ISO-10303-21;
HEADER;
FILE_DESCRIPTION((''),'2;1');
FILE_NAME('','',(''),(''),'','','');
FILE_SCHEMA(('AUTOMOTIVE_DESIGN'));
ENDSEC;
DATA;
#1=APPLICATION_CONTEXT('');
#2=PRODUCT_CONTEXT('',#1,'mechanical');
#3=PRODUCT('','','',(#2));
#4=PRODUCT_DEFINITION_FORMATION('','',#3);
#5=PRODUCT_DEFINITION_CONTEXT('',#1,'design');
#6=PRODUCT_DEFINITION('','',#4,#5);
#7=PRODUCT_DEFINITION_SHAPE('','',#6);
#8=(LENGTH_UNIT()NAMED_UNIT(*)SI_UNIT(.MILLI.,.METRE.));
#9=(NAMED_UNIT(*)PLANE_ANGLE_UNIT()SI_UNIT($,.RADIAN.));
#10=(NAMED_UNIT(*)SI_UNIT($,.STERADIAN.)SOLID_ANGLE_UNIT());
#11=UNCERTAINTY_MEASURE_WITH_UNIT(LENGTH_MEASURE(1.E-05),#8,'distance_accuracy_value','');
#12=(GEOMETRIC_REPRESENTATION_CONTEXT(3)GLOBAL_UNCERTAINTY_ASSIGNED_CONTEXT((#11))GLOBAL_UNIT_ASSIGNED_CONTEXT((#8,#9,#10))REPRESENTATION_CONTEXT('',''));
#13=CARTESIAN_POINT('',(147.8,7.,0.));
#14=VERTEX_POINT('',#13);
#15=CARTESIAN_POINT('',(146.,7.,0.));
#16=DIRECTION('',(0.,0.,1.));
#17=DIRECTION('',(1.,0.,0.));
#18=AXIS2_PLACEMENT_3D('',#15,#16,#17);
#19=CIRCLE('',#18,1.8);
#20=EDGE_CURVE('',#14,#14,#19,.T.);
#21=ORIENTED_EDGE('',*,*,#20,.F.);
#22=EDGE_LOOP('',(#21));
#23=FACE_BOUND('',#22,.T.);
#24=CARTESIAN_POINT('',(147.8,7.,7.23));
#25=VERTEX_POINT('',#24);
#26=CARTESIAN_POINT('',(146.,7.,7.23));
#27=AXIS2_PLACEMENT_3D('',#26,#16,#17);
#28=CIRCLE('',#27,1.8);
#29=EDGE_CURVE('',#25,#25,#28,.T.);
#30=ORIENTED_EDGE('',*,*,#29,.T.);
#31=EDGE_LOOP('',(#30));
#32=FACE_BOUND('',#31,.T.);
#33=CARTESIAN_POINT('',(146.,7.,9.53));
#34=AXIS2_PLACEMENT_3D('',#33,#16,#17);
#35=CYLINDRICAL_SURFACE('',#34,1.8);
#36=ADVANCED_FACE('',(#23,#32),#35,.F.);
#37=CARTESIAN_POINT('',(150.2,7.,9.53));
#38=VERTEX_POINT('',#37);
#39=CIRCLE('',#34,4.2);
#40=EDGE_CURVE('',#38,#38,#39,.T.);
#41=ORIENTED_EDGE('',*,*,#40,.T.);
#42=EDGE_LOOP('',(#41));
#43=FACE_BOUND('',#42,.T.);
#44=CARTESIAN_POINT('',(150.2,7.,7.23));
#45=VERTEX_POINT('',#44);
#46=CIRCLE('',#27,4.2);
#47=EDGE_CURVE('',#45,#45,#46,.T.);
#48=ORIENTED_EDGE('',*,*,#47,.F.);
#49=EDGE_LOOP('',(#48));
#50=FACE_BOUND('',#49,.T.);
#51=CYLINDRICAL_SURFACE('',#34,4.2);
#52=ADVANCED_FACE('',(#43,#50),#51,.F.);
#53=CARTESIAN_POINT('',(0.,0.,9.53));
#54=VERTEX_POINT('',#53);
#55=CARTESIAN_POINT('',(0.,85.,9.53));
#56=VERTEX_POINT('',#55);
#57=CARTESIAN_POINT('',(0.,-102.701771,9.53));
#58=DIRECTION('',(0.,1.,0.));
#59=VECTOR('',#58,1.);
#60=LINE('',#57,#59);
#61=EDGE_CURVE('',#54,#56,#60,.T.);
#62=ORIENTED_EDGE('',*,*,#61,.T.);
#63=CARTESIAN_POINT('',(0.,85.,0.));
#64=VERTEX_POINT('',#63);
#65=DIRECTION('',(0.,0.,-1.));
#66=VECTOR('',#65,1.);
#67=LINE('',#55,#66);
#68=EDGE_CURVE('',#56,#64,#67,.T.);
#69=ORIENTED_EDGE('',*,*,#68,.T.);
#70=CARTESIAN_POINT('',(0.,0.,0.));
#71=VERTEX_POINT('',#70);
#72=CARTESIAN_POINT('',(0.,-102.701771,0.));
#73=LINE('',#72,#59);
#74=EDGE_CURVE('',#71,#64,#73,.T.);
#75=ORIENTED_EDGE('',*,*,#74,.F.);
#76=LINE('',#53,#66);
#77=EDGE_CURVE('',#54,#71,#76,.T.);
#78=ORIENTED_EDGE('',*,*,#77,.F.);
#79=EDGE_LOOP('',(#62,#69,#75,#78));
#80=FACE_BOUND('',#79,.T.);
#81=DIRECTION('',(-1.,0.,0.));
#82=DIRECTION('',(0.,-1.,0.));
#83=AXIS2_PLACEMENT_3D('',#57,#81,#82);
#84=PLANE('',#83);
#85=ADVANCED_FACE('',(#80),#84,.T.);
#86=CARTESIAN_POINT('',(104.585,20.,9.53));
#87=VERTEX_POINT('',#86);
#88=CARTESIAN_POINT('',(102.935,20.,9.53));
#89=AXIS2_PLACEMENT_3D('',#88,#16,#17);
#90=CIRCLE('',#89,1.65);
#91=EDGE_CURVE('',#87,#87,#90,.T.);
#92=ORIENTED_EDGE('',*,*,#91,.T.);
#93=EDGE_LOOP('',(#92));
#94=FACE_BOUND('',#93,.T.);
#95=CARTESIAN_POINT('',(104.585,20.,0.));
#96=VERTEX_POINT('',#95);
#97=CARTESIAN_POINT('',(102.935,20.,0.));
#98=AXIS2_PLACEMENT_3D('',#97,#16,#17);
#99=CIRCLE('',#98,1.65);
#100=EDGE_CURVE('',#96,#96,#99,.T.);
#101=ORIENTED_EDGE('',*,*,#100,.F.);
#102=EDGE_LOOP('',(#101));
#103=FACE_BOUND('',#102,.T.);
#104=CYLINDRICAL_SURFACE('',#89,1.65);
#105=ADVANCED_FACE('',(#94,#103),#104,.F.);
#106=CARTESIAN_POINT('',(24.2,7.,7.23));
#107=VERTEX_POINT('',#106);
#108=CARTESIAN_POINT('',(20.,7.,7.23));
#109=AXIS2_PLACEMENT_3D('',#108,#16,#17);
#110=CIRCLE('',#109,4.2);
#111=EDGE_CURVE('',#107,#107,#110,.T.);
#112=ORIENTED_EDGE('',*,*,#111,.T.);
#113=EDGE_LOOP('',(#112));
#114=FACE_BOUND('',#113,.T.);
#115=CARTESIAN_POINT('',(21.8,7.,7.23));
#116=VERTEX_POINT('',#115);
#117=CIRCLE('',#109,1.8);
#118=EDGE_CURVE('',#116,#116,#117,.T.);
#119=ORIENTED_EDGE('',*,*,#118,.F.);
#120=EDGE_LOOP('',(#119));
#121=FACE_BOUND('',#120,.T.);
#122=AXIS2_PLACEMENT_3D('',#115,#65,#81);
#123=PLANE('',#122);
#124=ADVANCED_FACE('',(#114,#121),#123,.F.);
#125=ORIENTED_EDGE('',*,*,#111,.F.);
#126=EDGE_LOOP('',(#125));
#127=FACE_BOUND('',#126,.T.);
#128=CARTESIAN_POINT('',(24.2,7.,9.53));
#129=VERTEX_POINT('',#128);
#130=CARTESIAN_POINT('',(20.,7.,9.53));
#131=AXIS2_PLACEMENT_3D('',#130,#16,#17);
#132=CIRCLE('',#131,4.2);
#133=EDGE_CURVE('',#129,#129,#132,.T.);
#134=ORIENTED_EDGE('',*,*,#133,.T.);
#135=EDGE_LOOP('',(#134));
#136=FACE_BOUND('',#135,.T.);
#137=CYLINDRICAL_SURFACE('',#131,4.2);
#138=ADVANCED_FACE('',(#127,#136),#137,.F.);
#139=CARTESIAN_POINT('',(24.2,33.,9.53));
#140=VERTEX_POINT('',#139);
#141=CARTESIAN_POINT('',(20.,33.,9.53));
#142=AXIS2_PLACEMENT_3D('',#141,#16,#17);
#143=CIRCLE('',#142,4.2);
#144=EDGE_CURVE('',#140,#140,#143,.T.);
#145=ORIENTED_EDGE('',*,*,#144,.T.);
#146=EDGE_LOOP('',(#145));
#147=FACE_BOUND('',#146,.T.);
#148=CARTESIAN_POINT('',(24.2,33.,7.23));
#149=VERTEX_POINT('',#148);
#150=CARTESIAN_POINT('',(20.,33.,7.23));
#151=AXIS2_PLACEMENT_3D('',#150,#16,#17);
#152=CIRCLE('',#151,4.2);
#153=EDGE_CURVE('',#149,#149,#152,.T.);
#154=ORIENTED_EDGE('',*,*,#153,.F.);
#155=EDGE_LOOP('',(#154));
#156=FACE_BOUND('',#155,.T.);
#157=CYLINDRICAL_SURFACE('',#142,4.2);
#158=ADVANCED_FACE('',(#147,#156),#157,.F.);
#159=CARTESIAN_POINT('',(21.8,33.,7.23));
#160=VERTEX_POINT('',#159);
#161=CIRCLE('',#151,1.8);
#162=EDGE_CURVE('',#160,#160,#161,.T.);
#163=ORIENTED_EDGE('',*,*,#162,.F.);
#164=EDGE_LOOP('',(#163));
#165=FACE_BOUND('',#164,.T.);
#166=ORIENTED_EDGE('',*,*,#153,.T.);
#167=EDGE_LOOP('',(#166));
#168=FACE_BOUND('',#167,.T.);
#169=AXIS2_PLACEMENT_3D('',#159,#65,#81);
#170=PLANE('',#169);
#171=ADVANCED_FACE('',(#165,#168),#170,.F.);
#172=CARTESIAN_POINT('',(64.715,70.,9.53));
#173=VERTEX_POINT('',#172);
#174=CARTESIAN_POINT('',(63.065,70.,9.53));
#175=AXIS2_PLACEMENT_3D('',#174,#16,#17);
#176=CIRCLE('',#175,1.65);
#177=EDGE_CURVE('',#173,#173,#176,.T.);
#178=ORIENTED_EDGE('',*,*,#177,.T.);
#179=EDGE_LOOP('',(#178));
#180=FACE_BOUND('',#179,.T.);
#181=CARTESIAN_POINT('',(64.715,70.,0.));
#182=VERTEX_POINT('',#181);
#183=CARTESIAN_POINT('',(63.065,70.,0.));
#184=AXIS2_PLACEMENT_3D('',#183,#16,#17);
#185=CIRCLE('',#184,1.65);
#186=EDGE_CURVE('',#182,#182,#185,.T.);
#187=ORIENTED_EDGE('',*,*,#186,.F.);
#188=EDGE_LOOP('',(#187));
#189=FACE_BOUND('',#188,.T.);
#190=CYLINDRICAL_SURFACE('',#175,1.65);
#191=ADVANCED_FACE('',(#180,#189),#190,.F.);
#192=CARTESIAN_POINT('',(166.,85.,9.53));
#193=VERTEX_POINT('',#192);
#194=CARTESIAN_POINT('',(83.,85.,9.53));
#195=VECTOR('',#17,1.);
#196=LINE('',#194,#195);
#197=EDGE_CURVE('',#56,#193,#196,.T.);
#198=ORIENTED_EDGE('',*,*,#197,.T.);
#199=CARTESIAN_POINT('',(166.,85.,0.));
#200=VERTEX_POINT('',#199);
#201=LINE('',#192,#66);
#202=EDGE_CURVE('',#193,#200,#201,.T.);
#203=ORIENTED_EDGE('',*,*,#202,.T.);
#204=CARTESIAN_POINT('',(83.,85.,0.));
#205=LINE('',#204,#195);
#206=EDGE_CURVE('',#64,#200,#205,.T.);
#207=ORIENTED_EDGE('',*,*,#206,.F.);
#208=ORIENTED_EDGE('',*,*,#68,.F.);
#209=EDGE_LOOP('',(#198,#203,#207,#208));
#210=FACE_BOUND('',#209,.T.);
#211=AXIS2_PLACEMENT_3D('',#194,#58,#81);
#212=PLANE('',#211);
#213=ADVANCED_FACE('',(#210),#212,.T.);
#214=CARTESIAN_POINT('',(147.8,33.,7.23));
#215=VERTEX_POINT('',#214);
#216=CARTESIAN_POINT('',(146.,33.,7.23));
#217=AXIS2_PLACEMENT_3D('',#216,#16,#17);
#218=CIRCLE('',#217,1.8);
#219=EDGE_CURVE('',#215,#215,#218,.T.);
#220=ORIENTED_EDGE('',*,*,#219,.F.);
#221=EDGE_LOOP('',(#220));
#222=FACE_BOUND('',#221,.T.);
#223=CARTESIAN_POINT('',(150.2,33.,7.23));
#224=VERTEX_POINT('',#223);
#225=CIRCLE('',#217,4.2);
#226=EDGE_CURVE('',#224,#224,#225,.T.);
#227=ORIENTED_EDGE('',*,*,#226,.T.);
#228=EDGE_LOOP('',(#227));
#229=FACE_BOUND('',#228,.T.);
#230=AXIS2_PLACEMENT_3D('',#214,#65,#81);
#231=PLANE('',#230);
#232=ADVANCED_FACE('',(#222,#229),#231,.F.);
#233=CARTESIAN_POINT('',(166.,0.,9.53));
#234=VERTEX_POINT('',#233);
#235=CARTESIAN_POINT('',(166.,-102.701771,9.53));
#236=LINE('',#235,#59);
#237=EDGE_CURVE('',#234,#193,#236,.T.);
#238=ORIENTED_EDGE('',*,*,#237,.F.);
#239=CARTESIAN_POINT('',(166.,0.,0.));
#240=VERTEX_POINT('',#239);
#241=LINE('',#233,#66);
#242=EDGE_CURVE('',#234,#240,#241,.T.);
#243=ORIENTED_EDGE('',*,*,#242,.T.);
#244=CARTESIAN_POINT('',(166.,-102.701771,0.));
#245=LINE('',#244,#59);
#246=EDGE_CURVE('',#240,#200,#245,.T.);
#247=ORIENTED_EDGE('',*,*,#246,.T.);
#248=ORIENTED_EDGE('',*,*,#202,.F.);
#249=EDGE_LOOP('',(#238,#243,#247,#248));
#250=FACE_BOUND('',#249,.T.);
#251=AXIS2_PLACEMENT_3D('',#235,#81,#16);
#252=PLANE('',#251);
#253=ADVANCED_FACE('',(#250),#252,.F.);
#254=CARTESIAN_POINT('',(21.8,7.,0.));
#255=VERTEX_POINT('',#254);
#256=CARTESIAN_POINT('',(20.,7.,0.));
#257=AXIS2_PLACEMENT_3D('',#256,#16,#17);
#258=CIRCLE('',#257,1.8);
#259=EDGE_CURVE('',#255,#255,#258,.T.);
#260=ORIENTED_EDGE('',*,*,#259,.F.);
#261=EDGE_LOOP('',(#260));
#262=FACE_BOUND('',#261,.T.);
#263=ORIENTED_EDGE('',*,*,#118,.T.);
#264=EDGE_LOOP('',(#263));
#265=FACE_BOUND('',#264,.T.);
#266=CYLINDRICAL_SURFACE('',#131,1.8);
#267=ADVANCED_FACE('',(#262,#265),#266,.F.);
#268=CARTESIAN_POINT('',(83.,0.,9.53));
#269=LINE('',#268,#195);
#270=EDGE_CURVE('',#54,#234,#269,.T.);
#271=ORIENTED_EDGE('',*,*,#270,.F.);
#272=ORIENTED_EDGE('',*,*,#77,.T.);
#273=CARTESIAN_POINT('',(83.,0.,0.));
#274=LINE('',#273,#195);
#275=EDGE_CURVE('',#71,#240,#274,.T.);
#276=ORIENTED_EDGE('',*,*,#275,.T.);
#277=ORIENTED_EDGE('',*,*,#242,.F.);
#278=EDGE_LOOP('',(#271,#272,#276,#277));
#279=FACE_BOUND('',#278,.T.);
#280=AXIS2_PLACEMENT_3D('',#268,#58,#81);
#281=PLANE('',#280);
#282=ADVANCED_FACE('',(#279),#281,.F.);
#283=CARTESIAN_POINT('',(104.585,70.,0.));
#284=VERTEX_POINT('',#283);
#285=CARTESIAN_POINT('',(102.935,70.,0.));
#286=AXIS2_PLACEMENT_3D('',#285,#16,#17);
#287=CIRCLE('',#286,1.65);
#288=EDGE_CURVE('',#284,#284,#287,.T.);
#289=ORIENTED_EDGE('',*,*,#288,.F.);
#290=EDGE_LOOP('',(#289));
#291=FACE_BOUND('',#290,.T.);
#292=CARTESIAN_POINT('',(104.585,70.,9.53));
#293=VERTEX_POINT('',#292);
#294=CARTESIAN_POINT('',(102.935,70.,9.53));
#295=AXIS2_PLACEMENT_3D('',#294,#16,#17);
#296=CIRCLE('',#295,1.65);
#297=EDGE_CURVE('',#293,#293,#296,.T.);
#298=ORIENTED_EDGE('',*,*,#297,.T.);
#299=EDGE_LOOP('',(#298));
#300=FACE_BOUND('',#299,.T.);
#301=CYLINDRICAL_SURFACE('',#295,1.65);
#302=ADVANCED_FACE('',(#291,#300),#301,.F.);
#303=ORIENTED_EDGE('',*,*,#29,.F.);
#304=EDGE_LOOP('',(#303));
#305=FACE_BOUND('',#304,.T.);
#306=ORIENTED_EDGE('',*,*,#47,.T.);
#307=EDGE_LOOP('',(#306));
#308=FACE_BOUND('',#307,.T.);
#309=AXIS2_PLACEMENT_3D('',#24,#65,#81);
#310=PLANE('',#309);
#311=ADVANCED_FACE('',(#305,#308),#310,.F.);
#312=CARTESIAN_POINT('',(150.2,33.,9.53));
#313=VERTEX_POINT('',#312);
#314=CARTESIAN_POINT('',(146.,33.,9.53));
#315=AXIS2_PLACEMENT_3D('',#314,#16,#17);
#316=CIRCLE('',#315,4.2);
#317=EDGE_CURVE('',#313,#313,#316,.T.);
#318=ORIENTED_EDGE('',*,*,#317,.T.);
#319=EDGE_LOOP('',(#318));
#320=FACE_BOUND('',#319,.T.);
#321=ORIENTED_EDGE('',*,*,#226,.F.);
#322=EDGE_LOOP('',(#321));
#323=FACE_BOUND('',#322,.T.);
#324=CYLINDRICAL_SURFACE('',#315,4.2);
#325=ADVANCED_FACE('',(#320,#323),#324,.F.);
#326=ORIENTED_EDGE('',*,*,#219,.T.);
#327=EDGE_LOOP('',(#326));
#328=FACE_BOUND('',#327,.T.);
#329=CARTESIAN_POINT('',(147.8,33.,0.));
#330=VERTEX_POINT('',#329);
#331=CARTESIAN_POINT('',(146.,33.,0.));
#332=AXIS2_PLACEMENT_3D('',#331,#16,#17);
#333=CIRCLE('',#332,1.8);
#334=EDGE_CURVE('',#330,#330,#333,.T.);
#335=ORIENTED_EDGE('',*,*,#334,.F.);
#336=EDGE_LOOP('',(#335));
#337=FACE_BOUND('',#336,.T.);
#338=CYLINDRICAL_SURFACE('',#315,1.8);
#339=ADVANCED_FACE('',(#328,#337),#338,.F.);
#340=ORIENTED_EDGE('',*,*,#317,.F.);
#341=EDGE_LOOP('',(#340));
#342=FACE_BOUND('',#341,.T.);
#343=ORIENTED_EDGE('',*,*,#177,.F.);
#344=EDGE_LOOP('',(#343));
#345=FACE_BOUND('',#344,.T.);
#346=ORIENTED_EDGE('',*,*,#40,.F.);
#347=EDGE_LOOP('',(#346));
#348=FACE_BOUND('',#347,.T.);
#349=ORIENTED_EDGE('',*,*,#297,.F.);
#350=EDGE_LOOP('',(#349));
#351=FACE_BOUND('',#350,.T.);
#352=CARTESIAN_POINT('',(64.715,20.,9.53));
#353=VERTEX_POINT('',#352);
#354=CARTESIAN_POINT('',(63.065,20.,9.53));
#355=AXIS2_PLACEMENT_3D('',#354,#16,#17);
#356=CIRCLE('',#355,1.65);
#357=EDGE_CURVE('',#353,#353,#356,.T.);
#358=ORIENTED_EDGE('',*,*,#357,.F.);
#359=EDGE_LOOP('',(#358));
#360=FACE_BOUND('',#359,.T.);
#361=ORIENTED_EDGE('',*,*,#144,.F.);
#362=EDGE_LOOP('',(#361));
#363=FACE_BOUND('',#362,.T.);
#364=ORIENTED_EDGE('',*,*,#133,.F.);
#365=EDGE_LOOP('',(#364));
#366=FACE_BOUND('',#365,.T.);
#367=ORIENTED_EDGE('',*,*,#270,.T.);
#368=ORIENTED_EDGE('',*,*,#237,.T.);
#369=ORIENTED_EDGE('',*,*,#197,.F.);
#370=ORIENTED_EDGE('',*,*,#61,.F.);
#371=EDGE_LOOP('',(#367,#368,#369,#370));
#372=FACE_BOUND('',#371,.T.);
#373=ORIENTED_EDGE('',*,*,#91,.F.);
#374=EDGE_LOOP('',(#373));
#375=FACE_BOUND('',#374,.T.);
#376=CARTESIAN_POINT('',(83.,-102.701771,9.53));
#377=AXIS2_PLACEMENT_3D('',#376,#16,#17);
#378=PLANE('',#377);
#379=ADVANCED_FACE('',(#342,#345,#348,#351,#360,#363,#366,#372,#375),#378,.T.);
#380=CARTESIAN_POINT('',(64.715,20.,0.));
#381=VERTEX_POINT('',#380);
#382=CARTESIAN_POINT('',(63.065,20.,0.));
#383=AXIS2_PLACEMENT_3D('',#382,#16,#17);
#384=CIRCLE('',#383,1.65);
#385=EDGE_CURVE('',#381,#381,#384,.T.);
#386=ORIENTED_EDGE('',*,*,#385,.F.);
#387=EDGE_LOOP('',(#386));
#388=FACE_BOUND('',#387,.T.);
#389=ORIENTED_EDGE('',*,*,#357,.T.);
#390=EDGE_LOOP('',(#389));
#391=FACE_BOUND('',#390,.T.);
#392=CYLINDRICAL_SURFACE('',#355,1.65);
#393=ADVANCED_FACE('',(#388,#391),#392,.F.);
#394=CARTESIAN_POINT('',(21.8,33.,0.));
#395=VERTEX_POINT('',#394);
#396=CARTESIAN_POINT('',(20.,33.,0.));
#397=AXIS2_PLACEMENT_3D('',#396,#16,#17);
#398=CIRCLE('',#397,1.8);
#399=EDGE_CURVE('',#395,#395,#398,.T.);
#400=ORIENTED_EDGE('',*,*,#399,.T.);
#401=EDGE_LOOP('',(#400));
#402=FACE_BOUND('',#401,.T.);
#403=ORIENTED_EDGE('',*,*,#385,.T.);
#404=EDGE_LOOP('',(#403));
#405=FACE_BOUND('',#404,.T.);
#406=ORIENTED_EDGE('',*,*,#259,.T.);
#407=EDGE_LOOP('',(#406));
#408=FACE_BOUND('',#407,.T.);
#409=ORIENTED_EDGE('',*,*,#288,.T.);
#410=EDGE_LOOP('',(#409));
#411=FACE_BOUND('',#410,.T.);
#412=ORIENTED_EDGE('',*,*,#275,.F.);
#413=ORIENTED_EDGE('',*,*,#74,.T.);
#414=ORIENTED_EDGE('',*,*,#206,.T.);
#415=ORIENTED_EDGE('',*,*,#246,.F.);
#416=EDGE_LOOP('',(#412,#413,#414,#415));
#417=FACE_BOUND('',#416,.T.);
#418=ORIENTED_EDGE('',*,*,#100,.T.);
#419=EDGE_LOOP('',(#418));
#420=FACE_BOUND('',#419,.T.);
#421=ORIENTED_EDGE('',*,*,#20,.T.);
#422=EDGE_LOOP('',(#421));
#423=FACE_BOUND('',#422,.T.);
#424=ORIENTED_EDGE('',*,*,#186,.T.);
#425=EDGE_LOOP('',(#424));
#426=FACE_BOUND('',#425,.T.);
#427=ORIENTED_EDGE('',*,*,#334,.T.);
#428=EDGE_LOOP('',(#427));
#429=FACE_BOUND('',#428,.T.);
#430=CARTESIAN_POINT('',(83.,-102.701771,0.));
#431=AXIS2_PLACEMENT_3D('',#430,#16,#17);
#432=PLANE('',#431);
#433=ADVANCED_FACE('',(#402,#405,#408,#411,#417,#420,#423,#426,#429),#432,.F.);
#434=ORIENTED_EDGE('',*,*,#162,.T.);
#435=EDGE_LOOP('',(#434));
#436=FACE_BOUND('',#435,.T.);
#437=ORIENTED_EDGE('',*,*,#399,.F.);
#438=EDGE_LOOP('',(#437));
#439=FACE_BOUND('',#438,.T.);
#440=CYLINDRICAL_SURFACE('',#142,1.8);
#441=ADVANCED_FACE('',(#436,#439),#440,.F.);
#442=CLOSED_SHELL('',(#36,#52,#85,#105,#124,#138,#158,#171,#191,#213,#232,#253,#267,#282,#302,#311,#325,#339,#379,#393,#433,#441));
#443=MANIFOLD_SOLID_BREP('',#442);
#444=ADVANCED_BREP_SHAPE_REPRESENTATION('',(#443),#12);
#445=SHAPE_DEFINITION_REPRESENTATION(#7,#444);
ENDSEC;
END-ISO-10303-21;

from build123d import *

# Parameters (mm, degrees)
SKETCH1_W                                        = 166
SKETCH1_H                                        = 85
BOSS_EXTRUDE3_DEPTH                              = 9.53
CBORE_FOR_M3_HEX_HEAD_MACHINE_SCREW2_D           = 3.6
CBORE_FOR_M3_HEX_HEAD_MACHINE_SCREW2_CBORE_D     = 8.4
CBORE_FOR_M3_HEX_HEAD_MACHINE_SCREW2_CBORE_DEPTH = 2.3
M4X0_7_TAPPED_HOLE1_D                            = 3.3
M4X0_7_TAPPED_HOLE1_DEPTH                        = 10.1
M4X0_7_TAPPED_HOLE1_TIP                          = 0.991420021


with BuildPart() as part:
    # Sketch1 → Boss-Extrude3 (new body)
    with BuildSketch(Plane(origin=(0, 0, 0), x_dir=(-1, 0, 0), z_dir=(0, 0, 1))):
        with Locations((-83, -42.5)):
            Rectangle(SKETCH1_W, SKETCH1_H)
    extrude(amount=BOSS_EXTRUDE3_DEPTH)

    # CBORE for M3 Hex Head Machine Screw2 (through all)
    with Locations(Plane(origin=(20, 33, 9.53), x_dir=(1, 0, 0), z_dir=(0, 0, 1))):
        with Locations((0, 0), (0, -26), (126, 0), (126, -26)):
            CounterBoreHole(CBORE_FOR_M3_HEX_HEAD_MACHINE_SCREW2_D / 2, CBORE_FOR_M3_HEX_HEAD_MACHINE_SCREW2_CBORE_D / 2, CBORE_FOR_M3_HEX_HEAD_MACHINE_SCREW2_CBORE_DEPTH)

    # M4x0.7 Tapped Hole1
    with Locations(Plane(origin=(63.065, 70, 9.53), x_dir=(1, 0, 0), z_dir=(0, 0, 1))):
        with Locations((0, 0), (0, -50), (39.87, 0), (39.87, -50)):
            Hole(M4X0_7_TAPPED_HOLE1_D / 2, depth=M4X0_7_TAPPED_HOLE1_DEPTH)
            with Locations((0, 0, -(M4X0_7_TAPPED_HOLE1_DEPTH + M4X0_7_TAPPED_HOLE1_TIP / 2))):  # 118° drill point
                Cone(0, M4X0_7_TAPPED_HOLE1_D / 2, M4X0_7_TAPPED_HOLE1_TIP, mode=Mode.SUBTRACT)


solid = part.part
